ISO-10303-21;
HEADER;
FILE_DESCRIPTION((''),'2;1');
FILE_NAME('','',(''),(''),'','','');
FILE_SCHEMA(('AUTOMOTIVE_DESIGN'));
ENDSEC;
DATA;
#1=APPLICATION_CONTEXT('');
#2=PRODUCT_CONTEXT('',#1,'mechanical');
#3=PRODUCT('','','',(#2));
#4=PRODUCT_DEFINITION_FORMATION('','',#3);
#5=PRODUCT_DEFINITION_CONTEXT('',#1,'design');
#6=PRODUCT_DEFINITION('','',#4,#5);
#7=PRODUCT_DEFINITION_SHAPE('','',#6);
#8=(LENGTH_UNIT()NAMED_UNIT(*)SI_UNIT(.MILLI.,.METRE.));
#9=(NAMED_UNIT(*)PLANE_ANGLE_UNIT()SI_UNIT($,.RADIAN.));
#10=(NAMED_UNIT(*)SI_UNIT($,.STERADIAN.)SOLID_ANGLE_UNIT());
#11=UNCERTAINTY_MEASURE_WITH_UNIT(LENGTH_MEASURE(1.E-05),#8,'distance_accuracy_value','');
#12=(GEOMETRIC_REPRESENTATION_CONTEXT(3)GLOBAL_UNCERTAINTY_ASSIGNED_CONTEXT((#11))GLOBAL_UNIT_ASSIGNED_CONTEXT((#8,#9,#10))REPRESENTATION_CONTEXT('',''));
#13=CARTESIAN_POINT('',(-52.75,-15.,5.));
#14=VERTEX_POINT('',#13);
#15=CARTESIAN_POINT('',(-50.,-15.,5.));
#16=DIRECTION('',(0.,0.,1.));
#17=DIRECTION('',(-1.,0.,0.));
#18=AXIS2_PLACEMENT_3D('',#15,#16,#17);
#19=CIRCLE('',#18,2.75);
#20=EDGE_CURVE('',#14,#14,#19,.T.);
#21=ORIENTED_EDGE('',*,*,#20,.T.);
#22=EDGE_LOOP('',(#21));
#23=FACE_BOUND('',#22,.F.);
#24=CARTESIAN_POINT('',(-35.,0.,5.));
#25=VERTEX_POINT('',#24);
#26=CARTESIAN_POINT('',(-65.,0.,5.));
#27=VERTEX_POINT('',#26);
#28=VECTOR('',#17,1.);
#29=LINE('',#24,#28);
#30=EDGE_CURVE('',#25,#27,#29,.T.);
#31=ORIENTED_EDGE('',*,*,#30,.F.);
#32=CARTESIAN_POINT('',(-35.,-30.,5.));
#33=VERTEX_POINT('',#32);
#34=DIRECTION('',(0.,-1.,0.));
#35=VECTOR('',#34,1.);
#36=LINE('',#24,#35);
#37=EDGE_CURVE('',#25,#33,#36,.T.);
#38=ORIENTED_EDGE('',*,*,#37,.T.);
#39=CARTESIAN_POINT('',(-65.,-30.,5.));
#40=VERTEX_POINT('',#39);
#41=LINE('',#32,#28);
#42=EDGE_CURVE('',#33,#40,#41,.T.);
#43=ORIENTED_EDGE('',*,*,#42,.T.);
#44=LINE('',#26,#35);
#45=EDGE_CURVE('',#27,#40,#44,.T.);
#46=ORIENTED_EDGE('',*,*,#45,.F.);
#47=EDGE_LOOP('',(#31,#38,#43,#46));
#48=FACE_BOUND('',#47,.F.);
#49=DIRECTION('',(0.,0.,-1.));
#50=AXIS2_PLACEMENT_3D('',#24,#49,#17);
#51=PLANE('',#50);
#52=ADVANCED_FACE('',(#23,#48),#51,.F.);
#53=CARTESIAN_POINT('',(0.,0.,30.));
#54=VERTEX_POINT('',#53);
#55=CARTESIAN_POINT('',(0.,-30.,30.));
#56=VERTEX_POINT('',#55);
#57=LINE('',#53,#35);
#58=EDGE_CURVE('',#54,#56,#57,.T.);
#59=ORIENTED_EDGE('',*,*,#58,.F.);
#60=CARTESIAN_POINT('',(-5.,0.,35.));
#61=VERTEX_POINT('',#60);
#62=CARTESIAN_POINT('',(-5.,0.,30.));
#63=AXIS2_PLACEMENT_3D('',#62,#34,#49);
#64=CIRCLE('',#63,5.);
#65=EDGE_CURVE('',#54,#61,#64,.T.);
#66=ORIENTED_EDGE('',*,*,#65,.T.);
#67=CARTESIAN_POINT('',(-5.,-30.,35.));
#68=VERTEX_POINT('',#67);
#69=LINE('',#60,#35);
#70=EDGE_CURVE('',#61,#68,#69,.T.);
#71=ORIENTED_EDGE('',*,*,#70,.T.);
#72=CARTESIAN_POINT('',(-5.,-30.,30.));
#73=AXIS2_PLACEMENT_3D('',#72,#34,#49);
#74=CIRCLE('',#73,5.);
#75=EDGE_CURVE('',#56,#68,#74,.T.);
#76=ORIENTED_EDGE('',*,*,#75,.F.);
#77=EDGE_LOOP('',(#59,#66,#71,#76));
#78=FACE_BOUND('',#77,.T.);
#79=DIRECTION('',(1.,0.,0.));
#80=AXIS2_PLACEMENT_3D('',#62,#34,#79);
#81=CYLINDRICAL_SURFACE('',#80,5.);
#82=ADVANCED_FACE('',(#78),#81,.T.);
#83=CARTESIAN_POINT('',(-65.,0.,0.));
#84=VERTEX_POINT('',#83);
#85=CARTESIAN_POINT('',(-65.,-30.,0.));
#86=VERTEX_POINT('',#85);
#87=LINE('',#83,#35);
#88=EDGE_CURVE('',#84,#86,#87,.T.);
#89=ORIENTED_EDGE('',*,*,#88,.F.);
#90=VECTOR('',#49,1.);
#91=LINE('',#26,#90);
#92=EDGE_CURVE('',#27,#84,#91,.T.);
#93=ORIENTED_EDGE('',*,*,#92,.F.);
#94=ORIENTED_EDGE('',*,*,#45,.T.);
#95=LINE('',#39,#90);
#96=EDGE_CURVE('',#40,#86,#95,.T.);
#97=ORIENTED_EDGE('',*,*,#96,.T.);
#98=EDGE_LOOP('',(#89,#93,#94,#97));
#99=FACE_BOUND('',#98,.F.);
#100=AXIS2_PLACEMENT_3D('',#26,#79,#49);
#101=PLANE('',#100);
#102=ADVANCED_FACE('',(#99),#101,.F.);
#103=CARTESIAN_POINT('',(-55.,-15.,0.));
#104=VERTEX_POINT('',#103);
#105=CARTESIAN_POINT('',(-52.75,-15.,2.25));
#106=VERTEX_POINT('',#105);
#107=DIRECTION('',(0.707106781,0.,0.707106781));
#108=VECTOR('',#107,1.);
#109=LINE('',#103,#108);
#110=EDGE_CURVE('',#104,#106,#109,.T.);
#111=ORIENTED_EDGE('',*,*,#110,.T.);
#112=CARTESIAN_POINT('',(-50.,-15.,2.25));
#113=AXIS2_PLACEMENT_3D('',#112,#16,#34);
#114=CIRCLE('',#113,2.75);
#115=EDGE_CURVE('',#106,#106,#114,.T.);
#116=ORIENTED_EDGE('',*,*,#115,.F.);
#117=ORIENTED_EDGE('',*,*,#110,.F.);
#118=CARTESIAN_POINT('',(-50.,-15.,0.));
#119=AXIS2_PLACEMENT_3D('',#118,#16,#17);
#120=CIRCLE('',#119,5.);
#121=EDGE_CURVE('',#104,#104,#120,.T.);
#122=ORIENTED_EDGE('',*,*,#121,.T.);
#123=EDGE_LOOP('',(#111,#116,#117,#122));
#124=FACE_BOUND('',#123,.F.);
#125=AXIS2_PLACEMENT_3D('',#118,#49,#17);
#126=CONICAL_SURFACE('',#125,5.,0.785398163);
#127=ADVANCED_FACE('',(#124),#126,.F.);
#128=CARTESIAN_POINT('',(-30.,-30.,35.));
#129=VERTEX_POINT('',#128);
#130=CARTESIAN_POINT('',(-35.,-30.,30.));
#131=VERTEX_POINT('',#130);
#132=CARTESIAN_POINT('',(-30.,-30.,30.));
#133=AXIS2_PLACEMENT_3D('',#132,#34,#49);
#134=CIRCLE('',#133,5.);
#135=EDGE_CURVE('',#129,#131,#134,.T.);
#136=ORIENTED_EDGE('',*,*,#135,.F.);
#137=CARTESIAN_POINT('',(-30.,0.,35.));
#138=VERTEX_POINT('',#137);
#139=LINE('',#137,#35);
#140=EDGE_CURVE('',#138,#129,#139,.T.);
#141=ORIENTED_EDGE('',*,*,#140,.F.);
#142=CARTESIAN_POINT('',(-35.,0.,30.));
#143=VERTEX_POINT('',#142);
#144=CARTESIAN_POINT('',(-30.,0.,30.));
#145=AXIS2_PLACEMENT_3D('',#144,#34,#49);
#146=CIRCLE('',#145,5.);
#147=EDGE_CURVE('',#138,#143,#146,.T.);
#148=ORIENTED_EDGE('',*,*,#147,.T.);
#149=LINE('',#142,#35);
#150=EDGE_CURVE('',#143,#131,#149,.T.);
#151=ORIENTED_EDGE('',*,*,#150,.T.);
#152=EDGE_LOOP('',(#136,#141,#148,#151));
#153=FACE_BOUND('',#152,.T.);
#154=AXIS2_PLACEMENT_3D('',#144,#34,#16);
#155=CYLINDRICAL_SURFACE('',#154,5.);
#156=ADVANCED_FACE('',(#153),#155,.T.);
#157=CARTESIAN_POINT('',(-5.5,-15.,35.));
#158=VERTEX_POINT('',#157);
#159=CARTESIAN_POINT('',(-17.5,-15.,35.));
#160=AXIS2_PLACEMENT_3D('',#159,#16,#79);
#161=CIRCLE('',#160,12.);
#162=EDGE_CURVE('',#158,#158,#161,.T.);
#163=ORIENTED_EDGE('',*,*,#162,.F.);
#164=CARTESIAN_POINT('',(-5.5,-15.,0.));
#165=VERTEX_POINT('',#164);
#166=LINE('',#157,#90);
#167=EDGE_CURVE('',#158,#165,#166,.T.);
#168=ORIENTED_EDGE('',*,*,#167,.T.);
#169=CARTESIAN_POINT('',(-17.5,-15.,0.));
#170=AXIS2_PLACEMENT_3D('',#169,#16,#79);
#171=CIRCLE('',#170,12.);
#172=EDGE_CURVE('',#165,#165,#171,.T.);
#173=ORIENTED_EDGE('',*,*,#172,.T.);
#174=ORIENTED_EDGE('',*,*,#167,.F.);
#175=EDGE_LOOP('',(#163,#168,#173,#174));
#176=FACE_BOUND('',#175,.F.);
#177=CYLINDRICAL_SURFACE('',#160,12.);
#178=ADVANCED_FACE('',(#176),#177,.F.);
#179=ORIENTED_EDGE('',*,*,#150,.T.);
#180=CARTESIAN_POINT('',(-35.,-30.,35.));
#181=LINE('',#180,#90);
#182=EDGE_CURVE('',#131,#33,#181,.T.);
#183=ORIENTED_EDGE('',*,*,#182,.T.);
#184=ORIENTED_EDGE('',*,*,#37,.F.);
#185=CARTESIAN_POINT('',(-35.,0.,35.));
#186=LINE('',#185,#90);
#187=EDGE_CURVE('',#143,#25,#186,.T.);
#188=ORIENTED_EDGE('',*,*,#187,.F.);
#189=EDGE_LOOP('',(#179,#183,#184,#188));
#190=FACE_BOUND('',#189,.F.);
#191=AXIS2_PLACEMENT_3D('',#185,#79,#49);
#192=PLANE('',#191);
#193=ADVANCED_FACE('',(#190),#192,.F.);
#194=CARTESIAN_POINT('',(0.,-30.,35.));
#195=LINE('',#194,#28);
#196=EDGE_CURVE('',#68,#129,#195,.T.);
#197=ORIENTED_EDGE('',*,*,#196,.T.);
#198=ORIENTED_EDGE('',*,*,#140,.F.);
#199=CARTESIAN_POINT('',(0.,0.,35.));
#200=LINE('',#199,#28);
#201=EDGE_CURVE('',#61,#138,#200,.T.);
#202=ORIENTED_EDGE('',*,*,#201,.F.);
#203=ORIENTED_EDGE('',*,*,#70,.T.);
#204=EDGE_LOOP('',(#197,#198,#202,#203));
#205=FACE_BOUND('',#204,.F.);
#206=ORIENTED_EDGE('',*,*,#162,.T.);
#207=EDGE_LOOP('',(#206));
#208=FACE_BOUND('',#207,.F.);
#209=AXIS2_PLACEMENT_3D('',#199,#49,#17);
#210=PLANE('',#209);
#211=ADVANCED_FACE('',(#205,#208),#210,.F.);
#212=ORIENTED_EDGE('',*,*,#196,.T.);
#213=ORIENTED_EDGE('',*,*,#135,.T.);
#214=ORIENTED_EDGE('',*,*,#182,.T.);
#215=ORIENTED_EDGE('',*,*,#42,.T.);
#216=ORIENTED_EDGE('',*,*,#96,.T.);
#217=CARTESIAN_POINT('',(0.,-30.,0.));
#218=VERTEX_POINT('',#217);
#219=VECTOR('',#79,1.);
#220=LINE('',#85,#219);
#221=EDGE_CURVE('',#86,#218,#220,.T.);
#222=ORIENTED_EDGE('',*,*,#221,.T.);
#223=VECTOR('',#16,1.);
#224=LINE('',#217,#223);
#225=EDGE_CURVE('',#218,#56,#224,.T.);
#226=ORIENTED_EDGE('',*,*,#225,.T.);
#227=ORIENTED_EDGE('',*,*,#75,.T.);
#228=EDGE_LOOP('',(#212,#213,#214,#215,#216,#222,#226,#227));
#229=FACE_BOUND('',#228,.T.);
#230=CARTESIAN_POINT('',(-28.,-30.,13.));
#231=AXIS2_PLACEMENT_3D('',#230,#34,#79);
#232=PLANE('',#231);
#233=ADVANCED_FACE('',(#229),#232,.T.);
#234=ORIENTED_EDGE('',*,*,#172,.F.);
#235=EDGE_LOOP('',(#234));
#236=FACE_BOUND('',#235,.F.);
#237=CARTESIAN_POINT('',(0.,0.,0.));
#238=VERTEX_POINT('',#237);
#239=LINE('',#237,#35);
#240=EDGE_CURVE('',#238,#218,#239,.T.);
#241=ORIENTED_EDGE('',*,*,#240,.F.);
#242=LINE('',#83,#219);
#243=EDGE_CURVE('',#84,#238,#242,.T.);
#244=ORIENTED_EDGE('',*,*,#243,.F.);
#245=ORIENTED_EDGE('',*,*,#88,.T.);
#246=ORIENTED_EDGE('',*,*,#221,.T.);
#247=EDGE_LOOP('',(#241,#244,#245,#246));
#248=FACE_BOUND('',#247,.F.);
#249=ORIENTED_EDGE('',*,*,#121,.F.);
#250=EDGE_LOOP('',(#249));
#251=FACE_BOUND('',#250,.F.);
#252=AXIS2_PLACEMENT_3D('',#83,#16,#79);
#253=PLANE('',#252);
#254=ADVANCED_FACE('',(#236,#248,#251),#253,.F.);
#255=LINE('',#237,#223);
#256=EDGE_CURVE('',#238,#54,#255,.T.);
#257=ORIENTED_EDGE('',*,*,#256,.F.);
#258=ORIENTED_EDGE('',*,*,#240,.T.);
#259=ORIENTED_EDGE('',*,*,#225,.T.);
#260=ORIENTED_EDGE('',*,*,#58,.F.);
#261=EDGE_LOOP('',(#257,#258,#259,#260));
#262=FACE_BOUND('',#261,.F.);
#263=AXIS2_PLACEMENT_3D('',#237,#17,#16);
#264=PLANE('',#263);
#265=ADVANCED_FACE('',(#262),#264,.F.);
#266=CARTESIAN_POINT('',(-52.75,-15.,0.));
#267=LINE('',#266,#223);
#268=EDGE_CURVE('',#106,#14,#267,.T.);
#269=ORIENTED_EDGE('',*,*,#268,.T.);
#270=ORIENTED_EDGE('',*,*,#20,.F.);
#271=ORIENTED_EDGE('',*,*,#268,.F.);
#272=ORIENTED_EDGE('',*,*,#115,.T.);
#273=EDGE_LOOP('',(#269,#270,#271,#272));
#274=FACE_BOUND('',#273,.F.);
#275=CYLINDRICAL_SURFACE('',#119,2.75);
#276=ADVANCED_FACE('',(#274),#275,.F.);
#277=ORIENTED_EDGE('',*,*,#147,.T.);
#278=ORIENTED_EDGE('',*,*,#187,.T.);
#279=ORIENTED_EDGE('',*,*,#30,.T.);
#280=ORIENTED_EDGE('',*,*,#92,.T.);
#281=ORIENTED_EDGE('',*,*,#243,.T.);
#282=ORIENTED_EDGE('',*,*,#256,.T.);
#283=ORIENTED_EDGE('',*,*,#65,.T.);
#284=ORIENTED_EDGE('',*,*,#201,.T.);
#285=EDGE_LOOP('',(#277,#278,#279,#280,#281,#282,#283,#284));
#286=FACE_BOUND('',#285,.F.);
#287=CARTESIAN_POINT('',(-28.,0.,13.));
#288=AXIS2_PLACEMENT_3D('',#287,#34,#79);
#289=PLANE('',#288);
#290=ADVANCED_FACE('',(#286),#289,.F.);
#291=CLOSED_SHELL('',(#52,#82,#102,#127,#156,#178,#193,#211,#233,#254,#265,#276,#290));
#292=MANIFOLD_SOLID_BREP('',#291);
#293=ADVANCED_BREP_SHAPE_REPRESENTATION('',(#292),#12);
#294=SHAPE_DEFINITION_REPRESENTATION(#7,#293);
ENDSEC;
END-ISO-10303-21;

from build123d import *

# Parameters (mm, degrees)
F1_DEPTH       = 30
F3_R           = 12
F4_DEPTH       = 35
F5_R           = 5
F7_D           = 5.5
F7_DEPTH       = 16
F7_CSINK_D     = 10
F7_CSINK_ANGLE = 90


with BuildPart() as f1:
    # F0 (on Front) → F1 (new body)
    with BuildSketch(Plane.XZ):
        Polygon((-65, 0), (0, 0), (0, 35), (-35, 35), (-35, 5), (-65, 5), align=None)
    extrude(amount=F1_DEPTH)

    # F3 (on face) → F4 (cut, through all)
    with BuildSketch(Plane.XY.offset(35)):
        with Locations((-17.5, -15)):
            Circle(F3_R)
    extrude(amount=-F4_DEPTH, mode=Mode.SUBTRACT)

    # F5
    f5_edges = [f1.edges().sort_by_distance(p)[0] for p in [
        (0, -15, 35),
        (-35, -15, 35),
    ]]
    fillet(f5_edges, radius=F5_R)

    # F7
    with Locations(Plane(origin=(0, 0, 0), x_dir=(1, 0, 0), z_dir=(0, 0, -1))):
        with Locations((-50, 15)):
            CounterSinkHole(F7_D / 2, F7_CSINK_D / 2, depth=F7_DEPTH, counter_sink_angle=F7_CSINK_ANGLE)


solid = f1.part
